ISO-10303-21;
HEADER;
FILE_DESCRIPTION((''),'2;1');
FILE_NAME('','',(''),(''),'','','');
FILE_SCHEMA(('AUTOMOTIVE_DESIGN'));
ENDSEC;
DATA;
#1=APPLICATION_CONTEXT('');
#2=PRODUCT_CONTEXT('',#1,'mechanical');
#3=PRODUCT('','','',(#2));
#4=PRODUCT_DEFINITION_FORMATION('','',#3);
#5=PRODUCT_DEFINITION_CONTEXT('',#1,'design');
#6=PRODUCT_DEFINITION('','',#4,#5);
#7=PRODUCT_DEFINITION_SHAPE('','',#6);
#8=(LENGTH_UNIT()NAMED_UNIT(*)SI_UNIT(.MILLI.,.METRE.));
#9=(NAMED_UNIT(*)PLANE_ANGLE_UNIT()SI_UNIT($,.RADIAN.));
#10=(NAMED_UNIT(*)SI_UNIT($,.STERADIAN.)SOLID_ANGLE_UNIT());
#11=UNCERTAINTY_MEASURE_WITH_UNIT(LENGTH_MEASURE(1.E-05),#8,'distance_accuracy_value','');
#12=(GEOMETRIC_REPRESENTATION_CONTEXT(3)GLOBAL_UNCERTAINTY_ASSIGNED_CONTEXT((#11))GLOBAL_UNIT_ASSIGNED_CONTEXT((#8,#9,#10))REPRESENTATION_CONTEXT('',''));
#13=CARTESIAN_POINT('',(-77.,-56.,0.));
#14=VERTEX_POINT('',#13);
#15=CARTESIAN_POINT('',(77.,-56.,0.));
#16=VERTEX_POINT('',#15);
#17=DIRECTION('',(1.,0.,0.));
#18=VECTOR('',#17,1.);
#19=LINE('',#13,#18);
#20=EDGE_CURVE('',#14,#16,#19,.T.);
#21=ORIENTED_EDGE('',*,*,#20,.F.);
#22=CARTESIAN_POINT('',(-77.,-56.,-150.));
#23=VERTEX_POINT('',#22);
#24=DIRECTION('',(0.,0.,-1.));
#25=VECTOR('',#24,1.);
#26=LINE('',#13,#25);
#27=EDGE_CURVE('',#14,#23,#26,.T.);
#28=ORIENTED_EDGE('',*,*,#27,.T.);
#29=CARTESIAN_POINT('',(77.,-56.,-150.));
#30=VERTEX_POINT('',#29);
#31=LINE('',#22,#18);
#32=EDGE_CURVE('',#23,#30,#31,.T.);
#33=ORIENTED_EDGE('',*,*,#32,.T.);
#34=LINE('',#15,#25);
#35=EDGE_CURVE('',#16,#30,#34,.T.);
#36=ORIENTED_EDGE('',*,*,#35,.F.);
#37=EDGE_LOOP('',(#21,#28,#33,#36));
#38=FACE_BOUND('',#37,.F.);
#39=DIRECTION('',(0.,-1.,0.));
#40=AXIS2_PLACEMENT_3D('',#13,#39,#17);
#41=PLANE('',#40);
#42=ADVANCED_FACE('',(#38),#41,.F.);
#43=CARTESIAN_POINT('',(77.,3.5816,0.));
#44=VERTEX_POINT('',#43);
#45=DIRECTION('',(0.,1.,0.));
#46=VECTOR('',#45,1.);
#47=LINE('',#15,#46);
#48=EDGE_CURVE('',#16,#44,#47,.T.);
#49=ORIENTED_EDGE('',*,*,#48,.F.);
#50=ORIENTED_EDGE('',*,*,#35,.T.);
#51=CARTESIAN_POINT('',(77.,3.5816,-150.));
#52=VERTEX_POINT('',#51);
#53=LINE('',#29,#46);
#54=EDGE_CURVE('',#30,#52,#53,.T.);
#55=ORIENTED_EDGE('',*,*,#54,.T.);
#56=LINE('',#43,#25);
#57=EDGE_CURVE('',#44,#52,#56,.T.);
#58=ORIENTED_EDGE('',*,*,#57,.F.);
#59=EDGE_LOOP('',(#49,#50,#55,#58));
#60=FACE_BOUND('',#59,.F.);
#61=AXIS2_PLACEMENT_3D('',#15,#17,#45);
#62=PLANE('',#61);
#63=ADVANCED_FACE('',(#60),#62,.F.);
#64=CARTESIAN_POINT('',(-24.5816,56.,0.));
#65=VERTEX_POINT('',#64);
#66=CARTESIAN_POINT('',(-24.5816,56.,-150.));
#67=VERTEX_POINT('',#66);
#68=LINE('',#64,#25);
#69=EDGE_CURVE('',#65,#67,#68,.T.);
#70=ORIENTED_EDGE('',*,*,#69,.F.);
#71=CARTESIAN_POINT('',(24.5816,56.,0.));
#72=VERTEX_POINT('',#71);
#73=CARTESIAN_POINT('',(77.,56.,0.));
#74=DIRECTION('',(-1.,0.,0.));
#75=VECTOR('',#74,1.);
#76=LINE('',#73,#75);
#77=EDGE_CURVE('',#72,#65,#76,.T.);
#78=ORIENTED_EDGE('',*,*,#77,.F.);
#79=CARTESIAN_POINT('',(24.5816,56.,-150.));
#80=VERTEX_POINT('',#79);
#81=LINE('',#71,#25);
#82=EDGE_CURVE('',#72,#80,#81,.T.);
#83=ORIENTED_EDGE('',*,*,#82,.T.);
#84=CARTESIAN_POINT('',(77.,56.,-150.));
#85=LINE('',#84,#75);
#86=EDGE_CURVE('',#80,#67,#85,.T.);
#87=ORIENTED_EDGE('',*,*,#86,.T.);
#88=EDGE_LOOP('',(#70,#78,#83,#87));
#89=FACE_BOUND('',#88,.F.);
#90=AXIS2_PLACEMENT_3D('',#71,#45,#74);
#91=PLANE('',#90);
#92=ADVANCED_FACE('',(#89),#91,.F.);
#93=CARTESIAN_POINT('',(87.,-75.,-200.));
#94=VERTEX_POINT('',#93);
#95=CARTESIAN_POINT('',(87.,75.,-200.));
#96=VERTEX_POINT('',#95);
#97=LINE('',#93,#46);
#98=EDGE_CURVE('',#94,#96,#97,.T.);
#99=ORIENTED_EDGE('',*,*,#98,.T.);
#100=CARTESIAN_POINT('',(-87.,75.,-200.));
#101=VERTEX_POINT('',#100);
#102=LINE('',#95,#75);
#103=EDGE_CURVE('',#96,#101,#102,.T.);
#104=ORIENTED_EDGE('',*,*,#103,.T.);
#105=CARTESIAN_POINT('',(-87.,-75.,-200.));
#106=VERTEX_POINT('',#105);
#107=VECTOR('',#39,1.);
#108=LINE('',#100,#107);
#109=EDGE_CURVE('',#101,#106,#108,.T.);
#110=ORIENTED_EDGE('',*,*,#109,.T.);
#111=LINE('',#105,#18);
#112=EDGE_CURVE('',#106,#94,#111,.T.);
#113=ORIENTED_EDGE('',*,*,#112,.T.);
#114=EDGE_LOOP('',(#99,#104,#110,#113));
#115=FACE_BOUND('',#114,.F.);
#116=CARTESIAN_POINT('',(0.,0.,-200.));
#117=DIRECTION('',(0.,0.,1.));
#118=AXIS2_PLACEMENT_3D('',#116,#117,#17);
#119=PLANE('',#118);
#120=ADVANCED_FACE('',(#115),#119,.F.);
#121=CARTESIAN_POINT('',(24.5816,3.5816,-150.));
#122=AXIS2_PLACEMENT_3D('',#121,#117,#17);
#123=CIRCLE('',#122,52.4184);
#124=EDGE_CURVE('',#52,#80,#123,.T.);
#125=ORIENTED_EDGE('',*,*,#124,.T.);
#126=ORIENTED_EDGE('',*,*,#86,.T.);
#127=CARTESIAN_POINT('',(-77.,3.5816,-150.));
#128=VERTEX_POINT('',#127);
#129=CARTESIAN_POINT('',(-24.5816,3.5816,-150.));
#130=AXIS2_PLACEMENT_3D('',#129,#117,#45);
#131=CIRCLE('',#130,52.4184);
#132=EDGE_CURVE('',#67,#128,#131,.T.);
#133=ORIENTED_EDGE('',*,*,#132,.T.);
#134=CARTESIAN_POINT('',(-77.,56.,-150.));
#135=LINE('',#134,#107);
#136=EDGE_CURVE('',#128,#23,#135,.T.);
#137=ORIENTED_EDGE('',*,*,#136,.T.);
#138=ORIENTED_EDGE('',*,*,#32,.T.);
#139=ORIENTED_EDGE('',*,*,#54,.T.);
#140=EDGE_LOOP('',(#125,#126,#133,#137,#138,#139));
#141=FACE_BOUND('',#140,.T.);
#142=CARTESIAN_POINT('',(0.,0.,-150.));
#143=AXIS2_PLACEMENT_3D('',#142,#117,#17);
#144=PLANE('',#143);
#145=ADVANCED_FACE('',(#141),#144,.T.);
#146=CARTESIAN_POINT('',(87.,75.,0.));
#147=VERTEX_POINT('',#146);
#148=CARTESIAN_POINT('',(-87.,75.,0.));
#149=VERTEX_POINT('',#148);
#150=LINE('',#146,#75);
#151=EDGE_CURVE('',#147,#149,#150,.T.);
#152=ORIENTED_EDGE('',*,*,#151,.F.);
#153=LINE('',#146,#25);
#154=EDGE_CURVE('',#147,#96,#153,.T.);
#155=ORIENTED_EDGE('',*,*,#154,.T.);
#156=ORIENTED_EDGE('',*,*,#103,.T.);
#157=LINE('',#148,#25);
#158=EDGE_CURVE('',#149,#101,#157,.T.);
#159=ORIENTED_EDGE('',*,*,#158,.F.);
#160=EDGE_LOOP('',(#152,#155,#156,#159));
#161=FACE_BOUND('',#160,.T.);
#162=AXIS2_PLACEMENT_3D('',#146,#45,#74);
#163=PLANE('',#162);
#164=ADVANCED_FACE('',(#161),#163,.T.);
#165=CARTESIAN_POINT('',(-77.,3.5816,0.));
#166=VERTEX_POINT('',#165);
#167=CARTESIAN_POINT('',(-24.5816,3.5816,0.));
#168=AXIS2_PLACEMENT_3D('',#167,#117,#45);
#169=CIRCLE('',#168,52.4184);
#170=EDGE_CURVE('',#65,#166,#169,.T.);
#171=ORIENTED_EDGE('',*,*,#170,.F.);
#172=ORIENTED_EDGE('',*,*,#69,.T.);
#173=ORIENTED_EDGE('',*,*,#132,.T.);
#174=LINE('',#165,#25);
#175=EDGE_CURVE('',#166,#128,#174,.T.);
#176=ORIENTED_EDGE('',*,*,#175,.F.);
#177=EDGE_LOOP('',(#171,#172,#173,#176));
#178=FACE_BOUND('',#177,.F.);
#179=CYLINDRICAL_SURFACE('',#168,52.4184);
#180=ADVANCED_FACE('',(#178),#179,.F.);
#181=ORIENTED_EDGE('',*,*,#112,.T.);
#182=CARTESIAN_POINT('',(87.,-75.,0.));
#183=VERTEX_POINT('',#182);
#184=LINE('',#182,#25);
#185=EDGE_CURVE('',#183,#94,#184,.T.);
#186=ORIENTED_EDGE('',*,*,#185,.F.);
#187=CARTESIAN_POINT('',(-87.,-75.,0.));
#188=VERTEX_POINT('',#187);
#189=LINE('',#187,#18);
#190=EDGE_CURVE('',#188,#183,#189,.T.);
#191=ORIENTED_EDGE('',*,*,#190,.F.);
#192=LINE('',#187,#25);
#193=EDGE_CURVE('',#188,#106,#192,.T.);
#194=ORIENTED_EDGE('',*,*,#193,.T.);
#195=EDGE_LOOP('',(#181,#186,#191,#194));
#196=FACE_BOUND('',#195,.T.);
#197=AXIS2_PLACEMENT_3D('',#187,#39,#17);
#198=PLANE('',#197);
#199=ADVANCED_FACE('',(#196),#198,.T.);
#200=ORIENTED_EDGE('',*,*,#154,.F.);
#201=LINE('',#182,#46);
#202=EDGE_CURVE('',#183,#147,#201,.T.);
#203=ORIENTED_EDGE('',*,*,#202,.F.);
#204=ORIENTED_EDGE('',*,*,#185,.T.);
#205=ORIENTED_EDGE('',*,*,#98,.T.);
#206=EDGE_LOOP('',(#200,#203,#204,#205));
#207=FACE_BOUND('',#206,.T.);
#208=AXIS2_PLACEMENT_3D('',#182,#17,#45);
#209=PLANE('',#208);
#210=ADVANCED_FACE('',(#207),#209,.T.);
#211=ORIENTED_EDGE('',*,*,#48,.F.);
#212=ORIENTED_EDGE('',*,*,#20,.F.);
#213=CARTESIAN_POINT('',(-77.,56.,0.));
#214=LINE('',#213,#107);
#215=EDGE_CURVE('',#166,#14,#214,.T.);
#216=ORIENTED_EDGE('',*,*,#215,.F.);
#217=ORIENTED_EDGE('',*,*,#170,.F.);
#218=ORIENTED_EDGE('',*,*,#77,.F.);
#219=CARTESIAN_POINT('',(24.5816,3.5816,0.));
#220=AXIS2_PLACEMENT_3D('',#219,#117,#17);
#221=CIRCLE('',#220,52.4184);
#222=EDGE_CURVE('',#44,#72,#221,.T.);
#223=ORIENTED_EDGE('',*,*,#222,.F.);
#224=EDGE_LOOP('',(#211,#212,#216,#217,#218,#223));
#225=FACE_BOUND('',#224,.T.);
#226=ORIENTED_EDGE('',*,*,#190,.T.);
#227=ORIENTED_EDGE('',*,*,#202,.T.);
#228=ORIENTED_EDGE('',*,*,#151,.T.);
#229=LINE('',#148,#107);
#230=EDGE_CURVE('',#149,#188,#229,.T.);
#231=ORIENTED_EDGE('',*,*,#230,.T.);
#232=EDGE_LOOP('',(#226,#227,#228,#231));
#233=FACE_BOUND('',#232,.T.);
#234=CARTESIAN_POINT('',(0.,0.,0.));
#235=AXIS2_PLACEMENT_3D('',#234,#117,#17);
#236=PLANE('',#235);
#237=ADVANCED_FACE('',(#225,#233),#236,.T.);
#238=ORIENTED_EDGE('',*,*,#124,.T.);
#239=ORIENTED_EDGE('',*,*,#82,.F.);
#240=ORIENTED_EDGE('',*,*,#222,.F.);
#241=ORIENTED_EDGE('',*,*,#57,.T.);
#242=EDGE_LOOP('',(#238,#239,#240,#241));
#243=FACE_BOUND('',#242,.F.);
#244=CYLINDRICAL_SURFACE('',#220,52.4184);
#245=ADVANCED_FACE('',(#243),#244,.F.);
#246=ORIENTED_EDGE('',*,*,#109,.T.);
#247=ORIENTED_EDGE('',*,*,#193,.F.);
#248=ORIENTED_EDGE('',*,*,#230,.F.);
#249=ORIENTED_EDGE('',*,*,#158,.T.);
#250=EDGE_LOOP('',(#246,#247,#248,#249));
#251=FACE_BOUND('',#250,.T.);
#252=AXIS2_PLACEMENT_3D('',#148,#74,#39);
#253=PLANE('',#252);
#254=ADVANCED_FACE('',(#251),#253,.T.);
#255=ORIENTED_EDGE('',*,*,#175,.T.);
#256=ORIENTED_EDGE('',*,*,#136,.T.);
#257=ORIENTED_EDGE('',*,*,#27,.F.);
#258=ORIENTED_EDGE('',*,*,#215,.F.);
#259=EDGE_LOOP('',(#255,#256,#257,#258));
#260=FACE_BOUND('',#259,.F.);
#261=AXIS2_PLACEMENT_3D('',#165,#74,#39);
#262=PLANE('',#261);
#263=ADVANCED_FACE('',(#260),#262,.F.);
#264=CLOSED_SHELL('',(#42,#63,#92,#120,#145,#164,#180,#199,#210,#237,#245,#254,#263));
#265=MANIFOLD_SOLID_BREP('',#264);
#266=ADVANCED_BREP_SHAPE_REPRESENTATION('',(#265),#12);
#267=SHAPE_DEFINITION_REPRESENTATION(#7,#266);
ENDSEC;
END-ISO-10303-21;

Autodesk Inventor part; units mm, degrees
ref_plane "YZ Plane" through (0, 0, 0) normal (1, 0, 0) x (0, 1, 0)
ref_plane "XZ Plane" through (0, 0, 0) normal (0, 1, 0) x (-1, 0, 0)
ref_plane "XY Plane" through (0, 0, 0) normal (0, 0, 1) x (1, 0, 0)
sketch "Sketch2" plane through (0, 0, 0) normal (0, 0, 1) x (1, 0, 0)
  line L0 (87, 75) -> (-87, 75)
  line L1 (-87, 75) -> (-87, -75)
  line L2 (-87, -75) -> (87, -75)
  line L3 (87, -75) -> (87, 75)
  line L4 (87, 75) -> (-87, -75) construction
  line L5 (-87, 75) -> (87, -75) construction
  point P0 (0, 0)
  dimension "d3" = 174
  dimension "d4" = 150
sketch "Sketch1" plane through (0, 0, 0) normal (0, 0, 1) x (1, 0, 0)
  line L0 (77, 56) -> (-77, 56)
  line L1 (-77, 56) -> (-77, -56)
  line L2 (-77, -56) -> (77, -56)
  line L3 (77, -56) -> (77, 56)
  line L4 (77, 56) -> (-77, -56) construction
  line L5 (-77, 56) -> (77, -56) construction
  arc A0 (77, 3.5816) -> (24.5816, 56) centre (24.5816, 3.5816) ccw
  line L6 (-77, -56) -> (59.13, 43.0036) construction
  arc A1 (-24.5816, 56) -> (-77, 3.5816) centre (-24.5816, 3.5816) ccw
  point P0 (0, 0)
  dimension "d0" = 154
  dimension "d1" = 112
  dimension "d2" = 136.13
extrude "Extrusion1" add sketch "Sketch2" against normal blind 200
extrude "Extrusion2" cut sketch "Sketch1" against normal blind 150 contours A0 L3 L2 L1 A1 L0
properties part number "thermostatBath"
